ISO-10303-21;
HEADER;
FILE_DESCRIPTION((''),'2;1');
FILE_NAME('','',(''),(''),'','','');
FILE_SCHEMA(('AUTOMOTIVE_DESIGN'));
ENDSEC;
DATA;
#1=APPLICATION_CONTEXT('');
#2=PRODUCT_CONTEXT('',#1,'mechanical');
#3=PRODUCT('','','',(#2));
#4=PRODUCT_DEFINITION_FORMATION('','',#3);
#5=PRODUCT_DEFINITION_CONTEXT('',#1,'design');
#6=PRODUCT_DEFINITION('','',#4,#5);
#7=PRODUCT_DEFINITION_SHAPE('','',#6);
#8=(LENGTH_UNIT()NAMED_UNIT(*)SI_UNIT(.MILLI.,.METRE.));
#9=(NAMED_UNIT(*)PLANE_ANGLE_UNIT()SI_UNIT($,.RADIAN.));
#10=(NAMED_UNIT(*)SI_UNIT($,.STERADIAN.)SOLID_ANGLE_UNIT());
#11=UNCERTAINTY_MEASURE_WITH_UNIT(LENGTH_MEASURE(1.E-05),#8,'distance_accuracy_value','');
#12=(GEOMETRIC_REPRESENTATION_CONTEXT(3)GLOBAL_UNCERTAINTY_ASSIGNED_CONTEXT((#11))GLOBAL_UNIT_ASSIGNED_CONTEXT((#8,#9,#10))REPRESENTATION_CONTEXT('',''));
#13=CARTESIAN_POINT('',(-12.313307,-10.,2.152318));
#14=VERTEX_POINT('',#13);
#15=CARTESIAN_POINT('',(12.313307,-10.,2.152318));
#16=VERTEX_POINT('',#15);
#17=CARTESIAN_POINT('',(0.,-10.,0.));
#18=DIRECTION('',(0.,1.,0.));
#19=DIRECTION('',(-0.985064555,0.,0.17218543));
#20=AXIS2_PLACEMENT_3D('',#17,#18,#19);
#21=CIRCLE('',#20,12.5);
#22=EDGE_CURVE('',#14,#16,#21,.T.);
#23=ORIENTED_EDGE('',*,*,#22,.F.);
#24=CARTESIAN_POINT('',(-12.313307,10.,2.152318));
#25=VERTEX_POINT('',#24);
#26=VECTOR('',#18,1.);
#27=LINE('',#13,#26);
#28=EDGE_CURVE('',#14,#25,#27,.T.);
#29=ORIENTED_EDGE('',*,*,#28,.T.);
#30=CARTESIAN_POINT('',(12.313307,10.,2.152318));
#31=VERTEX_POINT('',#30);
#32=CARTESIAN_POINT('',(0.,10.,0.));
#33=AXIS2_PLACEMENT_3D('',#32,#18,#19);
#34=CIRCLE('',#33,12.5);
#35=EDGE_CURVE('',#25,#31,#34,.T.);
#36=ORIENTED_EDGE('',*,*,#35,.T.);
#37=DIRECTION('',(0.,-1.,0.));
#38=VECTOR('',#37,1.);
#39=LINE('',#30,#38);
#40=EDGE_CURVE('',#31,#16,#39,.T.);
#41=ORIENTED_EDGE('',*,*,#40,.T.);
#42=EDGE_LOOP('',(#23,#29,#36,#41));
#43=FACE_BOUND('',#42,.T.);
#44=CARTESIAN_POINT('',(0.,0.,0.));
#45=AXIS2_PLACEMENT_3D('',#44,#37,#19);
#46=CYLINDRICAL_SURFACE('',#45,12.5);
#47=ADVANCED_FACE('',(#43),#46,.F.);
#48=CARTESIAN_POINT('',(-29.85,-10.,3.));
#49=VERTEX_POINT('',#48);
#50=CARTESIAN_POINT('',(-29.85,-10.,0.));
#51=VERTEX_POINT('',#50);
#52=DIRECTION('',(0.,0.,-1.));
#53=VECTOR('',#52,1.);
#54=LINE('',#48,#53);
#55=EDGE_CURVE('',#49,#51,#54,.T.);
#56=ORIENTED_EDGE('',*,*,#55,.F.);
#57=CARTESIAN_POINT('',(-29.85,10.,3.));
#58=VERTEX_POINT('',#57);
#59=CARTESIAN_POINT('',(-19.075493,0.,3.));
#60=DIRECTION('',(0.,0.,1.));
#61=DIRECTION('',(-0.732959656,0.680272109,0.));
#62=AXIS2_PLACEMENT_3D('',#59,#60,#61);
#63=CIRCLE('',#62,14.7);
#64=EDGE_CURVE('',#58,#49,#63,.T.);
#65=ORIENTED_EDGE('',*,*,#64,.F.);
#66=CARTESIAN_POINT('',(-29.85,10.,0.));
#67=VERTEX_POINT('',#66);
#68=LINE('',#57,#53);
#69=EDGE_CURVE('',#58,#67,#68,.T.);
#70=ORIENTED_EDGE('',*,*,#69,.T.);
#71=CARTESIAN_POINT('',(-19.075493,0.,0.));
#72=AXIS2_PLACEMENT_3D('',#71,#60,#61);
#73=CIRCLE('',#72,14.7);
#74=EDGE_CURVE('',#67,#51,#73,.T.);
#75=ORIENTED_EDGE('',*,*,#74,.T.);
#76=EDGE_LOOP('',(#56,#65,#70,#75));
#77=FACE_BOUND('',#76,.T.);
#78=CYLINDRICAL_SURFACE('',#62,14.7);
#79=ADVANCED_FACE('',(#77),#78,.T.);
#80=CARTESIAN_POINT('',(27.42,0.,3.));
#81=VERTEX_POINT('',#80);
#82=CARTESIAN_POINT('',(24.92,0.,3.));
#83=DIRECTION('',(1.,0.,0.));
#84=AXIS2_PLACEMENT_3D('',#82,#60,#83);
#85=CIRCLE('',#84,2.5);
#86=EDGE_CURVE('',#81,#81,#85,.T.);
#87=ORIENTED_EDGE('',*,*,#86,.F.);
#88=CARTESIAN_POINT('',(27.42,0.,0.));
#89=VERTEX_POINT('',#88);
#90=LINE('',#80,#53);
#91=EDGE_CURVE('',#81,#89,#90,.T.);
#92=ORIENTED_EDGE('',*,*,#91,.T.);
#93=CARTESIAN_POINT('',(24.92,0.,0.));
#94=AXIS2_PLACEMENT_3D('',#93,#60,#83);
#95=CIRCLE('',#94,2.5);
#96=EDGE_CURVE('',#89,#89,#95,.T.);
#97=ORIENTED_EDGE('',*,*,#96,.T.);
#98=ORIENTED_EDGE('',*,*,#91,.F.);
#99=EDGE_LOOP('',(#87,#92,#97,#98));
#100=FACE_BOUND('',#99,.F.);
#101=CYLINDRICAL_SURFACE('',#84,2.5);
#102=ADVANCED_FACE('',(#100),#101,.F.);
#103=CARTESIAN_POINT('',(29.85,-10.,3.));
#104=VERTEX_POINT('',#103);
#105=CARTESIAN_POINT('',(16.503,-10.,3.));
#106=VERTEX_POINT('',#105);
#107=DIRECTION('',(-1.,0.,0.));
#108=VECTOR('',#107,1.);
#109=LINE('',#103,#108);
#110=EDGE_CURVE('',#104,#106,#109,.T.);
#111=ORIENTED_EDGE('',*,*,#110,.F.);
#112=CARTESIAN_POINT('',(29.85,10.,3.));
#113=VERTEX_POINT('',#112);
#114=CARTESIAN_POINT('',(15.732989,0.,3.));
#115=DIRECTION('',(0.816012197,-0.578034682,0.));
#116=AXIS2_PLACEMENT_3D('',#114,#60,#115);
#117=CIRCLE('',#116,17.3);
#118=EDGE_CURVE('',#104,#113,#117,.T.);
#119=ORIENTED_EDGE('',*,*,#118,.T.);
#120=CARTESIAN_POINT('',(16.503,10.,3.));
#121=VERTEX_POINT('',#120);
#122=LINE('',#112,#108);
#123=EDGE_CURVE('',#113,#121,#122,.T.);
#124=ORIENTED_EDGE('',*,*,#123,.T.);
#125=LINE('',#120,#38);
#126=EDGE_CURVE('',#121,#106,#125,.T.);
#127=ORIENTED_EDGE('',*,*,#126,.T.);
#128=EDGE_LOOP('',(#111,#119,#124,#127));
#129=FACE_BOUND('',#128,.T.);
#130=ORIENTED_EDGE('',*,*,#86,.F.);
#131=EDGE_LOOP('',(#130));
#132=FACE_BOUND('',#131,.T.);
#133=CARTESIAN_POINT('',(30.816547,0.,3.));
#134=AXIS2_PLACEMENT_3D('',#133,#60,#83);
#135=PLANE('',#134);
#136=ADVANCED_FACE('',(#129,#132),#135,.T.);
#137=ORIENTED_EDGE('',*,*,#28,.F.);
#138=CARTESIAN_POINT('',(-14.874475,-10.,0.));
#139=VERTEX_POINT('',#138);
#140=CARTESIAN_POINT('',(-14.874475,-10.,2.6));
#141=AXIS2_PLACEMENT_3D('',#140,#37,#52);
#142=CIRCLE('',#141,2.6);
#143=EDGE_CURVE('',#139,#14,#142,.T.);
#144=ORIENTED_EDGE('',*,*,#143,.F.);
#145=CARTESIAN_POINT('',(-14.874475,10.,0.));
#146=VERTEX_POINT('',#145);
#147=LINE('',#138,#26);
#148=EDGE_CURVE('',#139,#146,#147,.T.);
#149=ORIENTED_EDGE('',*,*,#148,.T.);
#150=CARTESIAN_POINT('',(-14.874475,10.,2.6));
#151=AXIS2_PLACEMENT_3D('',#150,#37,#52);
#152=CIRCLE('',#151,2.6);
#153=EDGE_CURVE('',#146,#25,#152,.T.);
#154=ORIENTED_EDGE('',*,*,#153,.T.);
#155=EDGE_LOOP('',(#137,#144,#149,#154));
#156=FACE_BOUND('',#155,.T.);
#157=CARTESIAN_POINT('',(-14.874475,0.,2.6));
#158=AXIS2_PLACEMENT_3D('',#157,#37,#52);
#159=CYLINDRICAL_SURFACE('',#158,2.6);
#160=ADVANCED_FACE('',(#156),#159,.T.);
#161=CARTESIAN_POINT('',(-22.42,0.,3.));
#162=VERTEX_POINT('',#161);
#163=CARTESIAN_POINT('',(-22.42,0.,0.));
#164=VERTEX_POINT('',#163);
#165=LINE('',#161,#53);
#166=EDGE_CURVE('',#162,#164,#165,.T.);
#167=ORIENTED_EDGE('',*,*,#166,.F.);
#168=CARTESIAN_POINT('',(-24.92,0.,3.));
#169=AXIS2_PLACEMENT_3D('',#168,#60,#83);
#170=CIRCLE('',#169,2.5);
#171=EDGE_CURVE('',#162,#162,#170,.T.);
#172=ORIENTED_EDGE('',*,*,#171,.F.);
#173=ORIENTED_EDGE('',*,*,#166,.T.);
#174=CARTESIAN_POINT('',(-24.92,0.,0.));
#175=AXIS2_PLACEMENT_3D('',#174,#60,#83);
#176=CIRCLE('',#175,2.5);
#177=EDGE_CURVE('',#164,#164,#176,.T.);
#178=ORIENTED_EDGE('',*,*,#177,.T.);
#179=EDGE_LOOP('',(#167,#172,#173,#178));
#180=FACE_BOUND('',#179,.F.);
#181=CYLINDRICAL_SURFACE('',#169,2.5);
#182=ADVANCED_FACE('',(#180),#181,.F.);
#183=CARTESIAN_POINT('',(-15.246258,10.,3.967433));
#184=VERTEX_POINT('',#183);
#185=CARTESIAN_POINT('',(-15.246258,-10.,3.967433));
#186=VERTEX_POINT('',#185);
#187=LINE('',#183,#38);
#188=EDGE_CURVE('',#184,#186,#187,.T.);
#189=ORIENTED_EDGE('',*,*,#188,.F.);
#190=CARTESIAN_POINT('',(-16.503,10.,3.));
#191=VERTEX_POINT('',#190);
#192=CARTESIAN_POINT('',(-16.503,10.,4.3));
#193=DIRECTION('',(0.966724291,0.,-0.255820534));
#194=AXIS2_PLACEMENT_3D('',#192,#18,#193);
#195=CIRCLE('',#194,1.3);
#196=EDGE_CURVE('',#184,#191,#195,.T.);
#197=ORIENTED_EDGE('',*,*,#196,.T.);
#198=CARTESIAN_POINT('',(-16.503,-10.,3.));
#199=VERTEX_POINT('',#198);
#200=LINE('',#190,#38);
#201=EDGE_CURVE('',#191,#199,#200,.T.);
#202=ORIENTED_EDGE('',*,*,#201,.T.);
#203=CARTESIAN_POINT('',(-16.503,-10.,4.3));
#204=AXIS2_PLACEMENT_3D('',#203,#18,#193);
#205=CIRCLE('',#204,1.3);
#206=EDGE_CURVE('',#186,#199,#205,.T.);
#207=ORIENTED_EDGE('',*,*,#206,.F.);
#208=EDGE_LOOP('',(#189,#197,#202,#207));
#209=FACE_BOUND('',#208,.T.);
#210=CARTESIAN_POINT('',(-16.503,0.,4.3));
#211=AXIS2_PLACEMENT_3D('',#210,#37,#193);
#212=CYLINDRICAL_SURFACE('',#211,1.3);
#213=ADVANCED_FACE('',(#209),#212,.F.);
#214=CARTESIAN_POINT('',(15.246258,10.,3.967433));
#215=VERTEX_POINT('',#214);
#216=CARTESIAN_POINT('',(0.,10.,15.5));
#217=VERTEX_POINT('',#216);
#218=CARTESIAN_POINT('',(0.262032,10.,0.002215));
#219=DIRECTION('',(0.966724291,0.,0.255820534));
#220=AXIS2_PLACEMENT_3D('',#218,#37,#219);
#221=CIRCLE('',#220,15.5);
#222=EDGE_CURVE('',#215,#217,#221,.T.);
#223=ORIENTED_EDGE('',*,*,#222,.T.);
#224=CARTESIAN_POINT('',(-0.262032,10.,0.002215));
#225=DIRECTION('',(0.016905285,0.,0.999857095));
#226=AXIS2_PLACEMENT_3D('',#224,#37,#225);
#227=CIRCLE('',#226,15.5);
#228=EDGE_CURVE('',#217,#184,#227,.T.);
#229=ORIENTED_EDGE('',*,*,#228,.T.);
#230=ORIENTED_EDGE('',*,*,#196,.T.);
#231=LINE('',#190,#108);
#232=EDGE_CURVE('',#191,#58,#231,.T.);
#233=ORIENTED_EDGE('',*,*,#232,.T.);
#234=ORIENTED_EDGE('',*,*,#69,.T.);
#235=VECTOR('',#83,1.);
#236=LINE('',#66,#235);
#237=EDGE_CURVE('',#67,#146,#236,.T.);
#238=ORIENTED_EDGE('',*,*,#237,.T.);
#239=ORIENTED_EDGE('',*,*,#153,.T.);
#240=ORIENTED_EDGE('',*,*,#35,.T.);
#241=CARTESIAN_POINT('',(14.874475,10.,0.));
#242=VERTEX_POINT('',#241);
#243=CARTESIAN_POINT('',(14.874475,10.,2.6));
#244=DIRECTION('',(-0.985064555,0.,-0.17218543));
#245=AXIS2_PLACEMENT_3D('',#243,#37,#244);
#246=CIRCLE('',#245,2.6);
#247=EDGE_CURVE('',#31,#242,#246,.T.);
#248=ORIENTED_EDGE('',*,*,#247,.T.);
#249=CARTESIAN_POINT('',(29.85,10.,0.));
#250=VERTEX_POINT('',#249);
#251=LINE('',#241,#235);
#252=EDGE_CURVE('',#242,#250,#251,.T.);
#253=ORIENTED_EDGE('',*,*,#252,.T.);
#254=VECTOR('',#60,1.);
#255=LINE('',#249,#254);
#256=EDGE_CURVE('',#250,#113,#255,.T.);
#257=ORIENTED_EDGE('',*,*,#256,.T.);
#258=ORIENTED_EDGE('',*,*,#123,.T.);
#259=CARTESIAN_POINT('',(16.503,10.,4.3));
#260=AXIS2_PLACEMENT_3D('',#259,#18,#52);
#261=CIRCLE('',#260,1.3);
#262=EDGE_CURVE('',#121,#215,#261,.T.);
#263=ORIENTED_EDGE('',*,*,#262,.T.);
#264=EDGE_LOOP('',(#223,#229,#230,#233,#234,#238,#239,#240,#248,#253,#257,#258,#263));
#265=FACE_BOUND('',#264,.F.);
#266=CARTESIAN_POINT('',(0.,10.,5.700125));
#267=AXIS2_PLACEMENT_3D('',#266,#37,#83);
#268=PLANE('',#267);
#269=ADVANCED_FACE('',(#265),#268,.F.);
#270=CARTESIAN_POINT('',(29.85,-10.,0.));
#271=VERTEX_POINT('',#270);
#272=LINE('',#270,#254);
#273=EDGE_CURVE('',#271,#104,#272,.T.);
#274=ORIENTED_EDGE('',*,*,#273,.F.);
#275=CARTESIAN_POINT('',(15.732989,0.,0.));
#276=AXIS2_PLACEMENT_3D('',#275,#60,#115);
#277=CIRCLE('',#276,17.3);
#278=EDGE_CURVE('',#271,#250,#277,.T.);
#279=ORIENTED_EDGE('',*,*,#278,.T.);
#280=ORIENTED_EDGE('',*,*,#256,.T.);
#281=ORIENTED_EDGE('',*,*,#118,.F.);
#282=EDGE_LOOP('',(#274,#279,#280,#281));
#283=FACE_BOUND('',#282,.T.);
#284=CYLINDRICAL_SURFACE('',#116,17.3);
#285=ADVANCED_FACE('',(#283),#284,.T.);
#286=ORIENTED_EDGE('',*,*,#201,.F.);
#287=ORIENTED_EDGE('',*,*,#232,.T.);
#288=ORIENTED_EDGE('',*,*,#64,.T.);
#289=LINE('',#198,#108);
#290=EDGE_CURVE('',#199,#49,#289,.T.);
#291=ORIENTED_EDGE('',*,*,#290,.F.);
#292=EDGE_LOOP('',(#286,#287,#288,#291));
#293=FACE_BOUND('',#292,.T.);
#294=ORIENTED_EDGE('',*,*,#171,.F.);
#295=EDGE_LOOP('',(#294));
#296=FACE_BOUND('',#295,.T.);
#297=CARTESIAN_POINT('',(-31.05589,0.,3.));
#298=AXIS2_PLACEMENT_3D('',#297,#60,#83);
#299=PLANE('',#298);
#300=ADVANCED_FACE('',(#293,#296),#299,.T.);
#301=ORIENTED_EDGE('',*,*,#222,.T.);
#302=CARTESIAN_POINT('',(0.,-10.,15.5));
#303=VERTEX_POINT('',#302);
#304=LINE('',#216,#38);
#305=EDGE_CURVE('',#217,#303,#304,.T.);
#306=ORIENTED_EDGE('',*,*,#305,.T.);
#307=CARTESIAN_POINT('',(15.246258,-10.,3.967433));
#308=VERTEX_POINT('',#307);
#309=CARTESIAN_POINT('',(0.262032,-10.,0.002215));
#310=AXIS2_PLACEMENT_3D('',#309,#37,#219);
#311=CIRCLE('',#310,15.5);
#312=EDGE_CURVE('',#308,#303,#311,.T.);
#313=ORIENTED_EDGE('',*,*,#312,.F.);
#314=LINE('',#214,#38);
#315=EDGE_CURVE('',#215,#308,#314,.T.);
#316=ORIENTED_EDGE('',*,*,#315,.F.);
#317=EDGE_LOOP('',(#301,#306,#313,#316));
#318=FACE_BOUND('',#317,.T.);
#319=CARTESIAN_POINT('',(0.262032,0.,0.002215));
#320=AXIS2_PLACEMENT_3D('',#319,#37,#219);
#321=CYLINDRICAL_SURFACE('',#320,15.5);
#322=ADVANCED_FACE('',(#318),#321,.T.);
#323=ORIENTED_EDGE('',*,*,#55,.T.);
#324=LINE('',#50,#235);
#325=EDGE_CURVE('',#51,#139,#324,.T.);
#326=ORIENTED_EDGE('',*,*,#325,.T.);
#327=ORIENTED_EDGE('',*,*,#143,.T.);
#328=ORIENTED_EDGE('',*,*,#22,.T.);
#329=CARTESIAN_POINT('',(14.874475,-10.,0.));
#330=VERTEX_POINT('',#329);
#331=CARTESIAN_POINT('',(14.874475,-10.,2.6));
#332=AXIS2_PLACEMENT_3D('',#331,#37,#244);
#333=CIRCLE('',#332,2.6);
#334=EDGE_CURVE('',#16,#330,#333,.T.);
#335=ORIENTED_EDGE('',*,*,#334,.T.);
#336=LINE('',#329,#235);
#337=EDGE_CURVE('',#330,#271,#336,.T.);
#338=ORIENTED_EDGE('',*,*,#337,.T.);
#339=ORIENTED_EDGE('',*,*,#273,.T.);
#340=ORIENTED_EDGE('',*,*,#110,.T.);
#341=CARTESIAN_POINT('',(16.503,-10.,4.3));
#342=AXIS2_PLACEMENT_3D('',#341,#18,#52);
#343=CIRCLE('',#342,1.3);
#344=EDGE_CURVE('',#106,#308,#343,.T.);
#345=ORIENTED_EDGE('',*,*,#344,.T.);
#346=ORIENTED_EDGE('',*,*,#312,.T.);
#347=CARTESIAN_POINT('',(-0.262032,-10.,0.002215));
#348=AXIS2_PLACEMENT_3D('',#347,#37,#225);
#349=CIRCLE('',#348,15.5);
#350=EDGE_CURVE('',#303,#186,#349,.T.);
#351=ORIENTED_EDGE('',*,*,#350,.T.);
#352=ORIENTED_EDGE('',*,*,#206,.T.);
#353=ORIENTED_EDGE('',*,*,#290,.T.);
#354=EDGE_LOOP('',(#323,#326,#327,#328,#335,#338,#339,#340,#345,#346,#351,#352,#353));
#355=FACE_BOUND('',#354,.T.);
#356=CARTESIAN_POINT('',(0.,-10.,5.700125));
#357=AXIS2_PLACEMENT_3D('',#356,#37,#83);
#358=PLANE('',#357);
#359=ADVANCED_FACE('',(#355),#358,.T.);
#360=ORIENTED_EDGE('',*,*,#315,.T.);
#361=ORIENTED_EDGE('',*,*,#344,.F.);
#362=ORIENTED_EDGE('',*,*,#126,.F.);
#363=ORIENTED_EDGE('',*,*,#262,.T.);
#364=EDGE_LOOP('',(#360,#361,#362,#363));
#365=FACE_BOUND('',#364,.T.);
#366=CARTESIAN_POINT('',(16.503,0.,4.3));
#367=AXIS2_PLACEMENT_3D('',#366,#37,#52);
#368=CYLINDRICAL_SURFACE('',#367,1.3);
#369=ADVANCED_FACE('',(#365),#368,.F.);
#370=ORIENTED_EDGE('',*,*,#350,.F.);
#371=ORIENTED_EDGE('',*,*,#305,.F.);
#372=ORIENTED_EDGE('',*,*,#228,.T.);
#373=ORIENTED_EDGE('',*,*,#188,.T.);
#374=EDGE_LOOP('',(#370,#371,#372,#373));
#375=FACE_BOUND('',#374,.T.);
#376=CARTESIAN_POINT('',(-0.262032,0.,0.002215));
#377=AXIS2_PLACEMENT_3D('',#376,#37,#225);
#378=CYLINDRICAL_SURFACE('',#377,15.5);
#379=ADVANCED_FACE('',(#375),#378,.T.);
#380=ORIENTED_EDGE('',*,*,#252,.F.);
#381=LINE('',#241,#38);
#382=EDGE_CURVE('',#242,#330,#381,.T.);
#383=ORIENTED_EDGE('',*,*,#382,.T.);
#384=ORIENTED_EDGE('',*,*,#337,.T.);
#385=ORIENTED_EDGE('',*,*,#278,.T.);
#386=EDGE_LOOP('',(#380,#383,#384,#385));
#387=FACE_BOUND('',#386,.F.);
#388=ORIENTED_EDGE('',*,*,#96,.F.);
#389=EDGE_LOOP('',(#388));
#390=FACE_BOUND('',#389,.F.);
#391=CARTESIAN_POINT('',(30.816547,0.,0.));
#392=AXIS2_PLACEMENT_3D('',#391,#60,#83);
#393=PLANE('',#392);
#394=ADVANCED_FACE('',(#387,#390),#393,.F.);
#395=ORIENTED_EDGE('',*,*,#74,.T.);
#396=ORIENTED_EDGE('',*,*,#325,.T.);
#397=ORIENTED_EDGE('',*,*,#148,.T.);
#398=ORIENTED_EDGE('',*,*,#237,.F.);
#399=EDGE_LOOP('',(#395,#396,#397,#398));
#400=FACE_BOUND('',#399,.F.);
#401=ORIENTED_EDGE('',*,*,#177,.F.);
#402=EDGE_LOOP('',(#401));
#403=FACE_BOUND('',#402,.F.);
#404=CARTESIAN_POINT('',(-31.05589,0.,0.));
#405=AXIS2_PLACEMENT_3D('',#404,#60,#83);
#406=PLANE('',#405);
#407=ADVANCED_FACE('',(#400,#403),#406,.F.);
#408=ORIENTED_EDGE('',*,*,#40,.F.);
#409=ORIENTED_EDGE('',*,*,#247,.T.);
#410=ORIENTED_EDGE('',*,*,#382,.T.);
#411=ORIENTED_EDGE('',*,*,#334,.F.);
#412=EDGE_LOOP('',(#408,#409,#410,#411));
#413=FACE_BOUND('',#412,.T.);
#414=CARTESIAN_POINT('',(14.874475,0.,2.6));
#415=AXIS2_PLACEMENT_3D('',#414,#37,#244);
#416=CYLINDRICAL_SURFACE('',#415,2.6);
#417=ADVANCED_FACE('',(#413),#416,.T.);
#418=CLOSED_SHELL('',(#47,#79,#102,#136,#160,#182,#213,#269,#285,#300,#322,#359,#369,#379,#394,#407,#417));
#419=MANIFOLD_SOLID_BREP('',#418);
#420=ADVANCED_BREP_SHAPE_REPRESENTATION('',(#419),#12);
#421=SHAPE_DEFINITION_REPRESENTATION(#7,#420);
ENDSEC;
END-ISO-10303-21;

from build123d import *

# Parameters (mm, degrees)
F1_DEPTH = 10
F2_R     = 2.5
F3_DEPTH = 25
F5_DEPTH = 3
F7_DEPTH = 3


with BuildPart() as f1:
    # F0 (on Front) → F1 (new body, symmetric)
    with BuildSketch(Plane.XZ):
        with BuildLine():
            ThreePointArc((-12.3133069376, 2.1523178808), (0, 12.5), (12.3133069376, 2.1523178808))
            ThreePointArc((12.3133069376, 2.1523178808), (13.2017484895, 0.6095259974), (14.8744747806, 0))
            Line((14.8744747806, 0), (29.85, 0))
            Line((29.85, 0), (29.85, 3))
            Line((29.85, 3), (16.503, 3))
            ThreePointArc((16.503, 3), (15.7100109406, 3.2698697404), (15.2462584222, 3.9674333051))
            ThreePointArc((15.2462584222, 3.9674333051), (9.6127418909, 12.3640200256), (0, 15.5))
            ThreePointArc((0, 15.5), (-9.6127418909, 12.3640200256), (-15.2462584222, 3.9674333051))
            ThreePointArc((-15.2462584222, 3.9674333051), (-15.7100109406, 3.2698697404), (-16.503, 3))
            Line((-16.503, 3), (-29.85, 3))
            Line((-29.85, 3), (-29.85, 0))
            Line((-29.85, 0), (-14.8744747806, 0))
            ThreePointArc((-14.8744747806, 0), (-13.2017484895, 0.6095259974), (-12.3133069376, 2.1523178808))
        make_face()
    extrude(amount=F1_DEPTH, both=True)

    # F2 (on face) → F3 (cut)
    with BuildSketch(Plane.XY.offset(3)):
        with Locations((24.92, 0)):
            Circle(F2_R)
        with Locations((-24.92, 0)):
            Circle(F2_R)
    extrude(amount=-F3_DEPTH, mode=Mode.SUBTRACT)

    # F4 (on face) → F5 (join)
    with BuildSketch(Plane.XY.offset(3)):
        with BuildLine():
            Line((-29.85, -10), (-29.85, 10))
            ThreePointArc((-29.85, 10), (-33.7754930507, 0), (-29.85, -10))
        make_face()
    extrude(amount=-F5_DEPTH)

    # F6 (on face) → F7 (join)
    with BuildSketch(Plane.XY.offset(3)):
        with BuildLine():
            Line((29.85, 10), (29.85, -10))
            ThreePointArc((29.85, -10), (33.0329889849, 0), (29.85, 10))
        make_face()
    extrude(amount=-F7_DEPTH)


solid = f1.part
